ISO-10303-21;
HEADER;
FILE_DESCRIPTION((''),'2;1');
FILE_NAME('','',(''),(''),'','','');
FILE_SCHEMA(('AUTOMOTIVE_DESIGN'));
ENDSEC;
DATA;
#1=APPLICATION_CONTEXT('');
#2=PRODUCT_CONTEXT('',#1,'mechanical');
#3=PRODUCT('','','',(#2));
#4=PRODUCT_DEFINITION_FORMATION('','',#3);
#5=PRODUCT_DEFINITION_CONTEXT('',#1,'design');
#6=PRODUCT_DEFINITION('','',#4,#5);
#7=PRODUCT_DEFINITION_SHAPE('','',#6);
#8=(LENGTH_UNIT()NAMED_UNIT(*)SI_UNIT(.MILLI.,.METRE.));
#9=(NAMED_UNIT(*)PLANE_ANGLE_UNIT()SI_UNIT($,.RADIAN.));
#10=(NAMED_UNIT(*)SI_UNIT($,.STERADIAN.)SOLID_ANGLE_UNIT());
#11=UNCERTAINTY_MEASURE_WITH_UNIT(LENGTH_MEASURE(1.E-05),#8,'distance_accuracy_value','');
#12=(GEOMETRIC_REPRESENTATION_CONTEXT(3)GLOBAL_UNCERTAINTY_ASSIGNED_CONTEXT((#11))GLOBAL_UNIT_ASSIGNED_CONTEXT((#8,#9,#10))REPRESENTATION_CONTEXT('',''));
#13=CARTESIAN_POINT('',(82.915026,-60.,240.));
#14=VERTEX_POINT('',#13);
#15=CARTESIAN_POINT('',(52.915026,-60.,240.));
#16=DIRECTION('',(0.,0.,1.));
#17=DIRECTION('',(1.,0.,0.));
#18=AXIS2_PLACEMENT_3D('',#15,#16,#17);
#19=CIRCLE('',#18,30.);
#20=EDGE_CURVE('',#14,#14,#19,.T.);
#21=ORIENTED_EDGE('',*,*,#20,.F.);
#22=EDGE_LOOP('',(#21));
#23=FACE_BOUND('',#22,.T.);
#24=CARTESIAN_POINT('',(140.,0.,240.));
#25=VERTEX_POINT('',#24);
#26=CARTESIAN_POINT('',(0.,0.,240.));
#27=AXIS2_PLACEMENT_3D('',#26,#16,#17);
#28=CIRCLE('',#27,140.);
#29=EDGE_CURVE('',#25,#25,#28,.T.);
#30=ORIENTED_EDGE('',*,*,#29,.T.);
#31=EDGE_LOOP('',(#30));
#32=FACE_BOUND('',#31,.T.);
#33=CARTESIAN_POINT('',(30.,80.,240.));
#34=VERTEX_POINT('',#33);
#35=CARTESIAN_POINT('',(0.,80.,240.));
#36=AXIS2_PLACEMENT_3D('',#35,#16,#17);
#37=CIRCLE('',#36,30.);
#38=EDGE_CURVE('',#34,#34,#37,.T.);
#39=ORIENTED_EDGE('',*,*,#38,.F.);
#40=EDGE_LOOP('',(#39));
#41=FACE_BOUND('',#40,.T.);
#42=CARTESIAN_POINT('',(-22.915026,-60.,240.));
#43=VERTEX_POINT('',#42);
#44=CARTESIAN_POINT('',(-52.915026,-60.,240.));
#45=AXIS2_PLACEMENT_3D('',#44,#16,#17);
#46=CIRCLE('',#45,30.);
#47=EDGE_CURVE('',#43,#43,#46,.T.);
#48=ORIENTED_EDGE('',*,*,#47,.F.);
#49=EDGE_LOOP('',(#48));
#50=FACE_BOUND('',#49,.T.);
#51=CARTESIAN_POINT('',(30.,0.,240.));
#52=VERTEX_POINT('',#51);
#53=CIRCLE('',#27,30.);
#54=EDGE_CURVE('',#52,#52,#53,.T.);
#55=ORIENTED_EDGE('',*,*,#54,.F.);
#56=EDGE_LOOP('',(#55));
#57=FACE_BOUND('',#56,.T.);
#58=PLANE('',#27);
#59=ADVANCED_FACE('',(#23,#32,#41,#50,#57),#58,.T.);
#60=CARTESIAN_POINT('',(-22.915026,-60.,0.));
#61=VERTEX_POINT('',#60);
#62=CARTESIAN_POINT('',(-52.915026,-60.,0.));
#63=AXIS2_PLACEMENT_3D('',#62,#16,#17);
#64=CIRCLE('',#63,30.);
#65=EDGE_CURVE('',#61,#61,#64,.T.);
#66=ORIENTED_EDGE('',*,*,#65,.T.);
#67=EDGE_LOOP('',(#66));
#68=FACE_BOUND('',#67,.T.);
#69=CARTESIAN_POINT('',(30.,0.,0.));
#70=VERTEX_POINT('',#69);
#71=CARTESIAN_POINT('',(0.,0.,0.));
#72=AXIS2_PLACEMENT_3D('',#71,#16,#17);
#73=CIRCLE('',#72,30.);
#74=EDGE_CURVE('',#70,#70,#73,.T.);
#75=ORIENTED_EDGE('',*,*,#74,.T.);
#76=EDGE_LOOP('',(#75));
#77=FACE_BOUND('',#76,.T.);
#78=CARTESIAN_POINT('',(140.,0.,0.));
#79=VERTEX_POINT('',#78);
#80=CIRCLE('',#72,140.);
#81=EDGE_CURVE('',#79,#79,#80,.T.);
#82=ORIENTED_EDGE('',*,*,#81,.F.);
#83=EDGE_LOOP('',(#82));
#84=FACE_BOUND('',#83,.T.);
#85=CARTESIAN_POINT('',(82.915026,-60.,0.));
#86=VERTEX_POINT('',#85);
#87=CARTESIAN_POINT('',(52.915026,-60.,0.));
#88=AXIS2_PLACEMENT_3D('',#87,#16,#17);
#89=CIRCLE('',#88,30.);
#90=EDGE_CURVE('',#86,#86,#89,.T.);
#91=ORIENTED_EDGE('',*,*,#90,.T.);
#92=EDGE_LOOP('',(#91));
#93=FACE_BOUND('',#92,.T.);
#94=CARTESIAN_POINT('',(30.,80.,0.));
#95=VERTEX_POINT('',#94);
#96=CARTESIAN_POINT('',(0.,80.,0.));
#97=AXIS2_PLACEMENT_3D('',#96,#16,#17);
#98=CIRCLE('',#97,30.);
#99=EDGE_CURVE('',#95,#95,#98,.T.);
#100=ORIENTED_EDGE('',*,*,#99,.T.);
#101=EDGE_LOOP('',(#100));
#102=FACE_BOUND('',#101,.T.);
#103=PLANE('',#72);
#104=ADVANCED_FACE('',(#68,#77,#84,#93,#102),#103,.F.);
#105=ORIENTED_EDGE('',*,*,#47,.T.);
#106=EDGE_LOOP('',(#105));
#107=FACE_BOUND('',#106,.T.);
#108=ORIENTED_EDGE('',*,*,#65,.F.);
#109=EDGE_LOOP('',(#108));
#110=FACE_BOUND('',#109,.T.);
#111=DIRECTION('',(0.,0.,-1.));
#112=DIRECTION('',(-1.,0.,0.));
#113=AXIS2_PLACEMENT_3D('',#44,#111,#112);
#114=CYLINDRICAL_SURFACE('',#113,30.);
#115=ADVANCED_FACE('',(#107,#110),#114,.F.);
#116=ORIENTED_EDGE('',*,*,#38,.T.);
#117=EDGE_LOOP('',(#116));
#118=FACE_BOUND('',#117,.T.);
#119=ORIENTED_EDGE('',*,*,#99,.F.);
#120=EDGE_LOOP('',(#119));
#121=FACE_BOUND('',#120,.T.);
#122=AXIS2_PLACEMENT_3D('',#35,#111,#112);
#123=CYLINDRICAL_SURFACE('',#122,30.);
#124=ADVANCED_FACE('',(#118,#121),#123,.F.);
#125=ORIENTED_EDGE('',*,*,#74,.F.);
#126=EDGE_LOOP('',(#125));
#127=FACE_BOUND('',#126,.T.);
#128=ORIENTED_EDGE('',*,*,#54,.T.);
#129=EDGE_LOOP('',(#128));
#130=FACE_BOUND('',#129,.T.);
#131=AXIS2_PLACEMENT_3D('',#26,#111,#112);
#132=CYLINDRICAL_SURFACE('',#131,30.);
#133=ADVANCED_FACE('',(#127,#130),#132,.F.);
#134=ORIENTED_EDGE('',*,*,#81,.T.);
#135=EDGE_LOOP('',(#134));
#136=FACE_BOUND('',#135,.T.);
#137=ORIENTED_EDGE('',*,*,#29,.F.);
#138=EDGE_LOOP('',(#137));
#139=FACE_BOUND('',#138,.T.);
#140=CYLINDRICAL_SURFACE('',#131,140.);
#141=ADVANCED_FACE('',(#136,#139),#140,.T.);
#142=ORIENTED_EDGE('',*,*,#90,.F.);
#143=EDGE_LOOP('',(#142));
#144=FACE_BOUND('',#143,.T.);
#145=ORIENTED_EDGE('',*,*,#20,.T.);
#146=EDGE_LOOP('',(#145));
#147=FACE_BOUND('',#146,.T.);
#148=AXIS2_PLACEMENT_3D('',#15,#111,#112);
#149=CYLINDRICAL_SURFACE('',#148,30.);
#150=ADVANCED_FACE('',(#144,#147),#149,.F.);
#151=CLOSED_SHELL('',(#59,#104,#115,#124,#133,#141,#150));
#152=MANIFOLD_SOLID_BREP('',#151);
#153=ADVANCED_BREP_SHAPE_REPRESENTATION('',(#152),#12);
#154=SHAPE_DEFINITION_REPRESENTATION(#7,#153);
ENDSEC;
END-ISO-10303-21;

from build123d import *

# Parameters (mm, degrees)
SKETCH1_R           = 140
SKETCH1_R_2         = 30
BOSS_EXTRUDE1_DEPTH = 240


with BuildPart() as part:
    # Sketch1 → Boss-Extrude1 (new body)
    with BuildSketch(Plane.XY):
        Circle(SKETCH1_R)
        Circle(SKETCH1_R_2, mode=Mode.SUBTRACT)
        with Locations((0, 80)):
            Circle(SKETCH1_R_2, mode=Mode.SUBTRACT)
        with Locations((52.915026221, -60)):
            Circle(SKETCH1_R_2, mode=Mode.SUBTRACT)
        with Locations((-52.915026221, -60)):
            Circle(SKETCH1_R_2, mode=Mode.SUBTRACT)
    extrude(amount=BOSS_EXTRUDE1_DEPTH)


solid = part.part
